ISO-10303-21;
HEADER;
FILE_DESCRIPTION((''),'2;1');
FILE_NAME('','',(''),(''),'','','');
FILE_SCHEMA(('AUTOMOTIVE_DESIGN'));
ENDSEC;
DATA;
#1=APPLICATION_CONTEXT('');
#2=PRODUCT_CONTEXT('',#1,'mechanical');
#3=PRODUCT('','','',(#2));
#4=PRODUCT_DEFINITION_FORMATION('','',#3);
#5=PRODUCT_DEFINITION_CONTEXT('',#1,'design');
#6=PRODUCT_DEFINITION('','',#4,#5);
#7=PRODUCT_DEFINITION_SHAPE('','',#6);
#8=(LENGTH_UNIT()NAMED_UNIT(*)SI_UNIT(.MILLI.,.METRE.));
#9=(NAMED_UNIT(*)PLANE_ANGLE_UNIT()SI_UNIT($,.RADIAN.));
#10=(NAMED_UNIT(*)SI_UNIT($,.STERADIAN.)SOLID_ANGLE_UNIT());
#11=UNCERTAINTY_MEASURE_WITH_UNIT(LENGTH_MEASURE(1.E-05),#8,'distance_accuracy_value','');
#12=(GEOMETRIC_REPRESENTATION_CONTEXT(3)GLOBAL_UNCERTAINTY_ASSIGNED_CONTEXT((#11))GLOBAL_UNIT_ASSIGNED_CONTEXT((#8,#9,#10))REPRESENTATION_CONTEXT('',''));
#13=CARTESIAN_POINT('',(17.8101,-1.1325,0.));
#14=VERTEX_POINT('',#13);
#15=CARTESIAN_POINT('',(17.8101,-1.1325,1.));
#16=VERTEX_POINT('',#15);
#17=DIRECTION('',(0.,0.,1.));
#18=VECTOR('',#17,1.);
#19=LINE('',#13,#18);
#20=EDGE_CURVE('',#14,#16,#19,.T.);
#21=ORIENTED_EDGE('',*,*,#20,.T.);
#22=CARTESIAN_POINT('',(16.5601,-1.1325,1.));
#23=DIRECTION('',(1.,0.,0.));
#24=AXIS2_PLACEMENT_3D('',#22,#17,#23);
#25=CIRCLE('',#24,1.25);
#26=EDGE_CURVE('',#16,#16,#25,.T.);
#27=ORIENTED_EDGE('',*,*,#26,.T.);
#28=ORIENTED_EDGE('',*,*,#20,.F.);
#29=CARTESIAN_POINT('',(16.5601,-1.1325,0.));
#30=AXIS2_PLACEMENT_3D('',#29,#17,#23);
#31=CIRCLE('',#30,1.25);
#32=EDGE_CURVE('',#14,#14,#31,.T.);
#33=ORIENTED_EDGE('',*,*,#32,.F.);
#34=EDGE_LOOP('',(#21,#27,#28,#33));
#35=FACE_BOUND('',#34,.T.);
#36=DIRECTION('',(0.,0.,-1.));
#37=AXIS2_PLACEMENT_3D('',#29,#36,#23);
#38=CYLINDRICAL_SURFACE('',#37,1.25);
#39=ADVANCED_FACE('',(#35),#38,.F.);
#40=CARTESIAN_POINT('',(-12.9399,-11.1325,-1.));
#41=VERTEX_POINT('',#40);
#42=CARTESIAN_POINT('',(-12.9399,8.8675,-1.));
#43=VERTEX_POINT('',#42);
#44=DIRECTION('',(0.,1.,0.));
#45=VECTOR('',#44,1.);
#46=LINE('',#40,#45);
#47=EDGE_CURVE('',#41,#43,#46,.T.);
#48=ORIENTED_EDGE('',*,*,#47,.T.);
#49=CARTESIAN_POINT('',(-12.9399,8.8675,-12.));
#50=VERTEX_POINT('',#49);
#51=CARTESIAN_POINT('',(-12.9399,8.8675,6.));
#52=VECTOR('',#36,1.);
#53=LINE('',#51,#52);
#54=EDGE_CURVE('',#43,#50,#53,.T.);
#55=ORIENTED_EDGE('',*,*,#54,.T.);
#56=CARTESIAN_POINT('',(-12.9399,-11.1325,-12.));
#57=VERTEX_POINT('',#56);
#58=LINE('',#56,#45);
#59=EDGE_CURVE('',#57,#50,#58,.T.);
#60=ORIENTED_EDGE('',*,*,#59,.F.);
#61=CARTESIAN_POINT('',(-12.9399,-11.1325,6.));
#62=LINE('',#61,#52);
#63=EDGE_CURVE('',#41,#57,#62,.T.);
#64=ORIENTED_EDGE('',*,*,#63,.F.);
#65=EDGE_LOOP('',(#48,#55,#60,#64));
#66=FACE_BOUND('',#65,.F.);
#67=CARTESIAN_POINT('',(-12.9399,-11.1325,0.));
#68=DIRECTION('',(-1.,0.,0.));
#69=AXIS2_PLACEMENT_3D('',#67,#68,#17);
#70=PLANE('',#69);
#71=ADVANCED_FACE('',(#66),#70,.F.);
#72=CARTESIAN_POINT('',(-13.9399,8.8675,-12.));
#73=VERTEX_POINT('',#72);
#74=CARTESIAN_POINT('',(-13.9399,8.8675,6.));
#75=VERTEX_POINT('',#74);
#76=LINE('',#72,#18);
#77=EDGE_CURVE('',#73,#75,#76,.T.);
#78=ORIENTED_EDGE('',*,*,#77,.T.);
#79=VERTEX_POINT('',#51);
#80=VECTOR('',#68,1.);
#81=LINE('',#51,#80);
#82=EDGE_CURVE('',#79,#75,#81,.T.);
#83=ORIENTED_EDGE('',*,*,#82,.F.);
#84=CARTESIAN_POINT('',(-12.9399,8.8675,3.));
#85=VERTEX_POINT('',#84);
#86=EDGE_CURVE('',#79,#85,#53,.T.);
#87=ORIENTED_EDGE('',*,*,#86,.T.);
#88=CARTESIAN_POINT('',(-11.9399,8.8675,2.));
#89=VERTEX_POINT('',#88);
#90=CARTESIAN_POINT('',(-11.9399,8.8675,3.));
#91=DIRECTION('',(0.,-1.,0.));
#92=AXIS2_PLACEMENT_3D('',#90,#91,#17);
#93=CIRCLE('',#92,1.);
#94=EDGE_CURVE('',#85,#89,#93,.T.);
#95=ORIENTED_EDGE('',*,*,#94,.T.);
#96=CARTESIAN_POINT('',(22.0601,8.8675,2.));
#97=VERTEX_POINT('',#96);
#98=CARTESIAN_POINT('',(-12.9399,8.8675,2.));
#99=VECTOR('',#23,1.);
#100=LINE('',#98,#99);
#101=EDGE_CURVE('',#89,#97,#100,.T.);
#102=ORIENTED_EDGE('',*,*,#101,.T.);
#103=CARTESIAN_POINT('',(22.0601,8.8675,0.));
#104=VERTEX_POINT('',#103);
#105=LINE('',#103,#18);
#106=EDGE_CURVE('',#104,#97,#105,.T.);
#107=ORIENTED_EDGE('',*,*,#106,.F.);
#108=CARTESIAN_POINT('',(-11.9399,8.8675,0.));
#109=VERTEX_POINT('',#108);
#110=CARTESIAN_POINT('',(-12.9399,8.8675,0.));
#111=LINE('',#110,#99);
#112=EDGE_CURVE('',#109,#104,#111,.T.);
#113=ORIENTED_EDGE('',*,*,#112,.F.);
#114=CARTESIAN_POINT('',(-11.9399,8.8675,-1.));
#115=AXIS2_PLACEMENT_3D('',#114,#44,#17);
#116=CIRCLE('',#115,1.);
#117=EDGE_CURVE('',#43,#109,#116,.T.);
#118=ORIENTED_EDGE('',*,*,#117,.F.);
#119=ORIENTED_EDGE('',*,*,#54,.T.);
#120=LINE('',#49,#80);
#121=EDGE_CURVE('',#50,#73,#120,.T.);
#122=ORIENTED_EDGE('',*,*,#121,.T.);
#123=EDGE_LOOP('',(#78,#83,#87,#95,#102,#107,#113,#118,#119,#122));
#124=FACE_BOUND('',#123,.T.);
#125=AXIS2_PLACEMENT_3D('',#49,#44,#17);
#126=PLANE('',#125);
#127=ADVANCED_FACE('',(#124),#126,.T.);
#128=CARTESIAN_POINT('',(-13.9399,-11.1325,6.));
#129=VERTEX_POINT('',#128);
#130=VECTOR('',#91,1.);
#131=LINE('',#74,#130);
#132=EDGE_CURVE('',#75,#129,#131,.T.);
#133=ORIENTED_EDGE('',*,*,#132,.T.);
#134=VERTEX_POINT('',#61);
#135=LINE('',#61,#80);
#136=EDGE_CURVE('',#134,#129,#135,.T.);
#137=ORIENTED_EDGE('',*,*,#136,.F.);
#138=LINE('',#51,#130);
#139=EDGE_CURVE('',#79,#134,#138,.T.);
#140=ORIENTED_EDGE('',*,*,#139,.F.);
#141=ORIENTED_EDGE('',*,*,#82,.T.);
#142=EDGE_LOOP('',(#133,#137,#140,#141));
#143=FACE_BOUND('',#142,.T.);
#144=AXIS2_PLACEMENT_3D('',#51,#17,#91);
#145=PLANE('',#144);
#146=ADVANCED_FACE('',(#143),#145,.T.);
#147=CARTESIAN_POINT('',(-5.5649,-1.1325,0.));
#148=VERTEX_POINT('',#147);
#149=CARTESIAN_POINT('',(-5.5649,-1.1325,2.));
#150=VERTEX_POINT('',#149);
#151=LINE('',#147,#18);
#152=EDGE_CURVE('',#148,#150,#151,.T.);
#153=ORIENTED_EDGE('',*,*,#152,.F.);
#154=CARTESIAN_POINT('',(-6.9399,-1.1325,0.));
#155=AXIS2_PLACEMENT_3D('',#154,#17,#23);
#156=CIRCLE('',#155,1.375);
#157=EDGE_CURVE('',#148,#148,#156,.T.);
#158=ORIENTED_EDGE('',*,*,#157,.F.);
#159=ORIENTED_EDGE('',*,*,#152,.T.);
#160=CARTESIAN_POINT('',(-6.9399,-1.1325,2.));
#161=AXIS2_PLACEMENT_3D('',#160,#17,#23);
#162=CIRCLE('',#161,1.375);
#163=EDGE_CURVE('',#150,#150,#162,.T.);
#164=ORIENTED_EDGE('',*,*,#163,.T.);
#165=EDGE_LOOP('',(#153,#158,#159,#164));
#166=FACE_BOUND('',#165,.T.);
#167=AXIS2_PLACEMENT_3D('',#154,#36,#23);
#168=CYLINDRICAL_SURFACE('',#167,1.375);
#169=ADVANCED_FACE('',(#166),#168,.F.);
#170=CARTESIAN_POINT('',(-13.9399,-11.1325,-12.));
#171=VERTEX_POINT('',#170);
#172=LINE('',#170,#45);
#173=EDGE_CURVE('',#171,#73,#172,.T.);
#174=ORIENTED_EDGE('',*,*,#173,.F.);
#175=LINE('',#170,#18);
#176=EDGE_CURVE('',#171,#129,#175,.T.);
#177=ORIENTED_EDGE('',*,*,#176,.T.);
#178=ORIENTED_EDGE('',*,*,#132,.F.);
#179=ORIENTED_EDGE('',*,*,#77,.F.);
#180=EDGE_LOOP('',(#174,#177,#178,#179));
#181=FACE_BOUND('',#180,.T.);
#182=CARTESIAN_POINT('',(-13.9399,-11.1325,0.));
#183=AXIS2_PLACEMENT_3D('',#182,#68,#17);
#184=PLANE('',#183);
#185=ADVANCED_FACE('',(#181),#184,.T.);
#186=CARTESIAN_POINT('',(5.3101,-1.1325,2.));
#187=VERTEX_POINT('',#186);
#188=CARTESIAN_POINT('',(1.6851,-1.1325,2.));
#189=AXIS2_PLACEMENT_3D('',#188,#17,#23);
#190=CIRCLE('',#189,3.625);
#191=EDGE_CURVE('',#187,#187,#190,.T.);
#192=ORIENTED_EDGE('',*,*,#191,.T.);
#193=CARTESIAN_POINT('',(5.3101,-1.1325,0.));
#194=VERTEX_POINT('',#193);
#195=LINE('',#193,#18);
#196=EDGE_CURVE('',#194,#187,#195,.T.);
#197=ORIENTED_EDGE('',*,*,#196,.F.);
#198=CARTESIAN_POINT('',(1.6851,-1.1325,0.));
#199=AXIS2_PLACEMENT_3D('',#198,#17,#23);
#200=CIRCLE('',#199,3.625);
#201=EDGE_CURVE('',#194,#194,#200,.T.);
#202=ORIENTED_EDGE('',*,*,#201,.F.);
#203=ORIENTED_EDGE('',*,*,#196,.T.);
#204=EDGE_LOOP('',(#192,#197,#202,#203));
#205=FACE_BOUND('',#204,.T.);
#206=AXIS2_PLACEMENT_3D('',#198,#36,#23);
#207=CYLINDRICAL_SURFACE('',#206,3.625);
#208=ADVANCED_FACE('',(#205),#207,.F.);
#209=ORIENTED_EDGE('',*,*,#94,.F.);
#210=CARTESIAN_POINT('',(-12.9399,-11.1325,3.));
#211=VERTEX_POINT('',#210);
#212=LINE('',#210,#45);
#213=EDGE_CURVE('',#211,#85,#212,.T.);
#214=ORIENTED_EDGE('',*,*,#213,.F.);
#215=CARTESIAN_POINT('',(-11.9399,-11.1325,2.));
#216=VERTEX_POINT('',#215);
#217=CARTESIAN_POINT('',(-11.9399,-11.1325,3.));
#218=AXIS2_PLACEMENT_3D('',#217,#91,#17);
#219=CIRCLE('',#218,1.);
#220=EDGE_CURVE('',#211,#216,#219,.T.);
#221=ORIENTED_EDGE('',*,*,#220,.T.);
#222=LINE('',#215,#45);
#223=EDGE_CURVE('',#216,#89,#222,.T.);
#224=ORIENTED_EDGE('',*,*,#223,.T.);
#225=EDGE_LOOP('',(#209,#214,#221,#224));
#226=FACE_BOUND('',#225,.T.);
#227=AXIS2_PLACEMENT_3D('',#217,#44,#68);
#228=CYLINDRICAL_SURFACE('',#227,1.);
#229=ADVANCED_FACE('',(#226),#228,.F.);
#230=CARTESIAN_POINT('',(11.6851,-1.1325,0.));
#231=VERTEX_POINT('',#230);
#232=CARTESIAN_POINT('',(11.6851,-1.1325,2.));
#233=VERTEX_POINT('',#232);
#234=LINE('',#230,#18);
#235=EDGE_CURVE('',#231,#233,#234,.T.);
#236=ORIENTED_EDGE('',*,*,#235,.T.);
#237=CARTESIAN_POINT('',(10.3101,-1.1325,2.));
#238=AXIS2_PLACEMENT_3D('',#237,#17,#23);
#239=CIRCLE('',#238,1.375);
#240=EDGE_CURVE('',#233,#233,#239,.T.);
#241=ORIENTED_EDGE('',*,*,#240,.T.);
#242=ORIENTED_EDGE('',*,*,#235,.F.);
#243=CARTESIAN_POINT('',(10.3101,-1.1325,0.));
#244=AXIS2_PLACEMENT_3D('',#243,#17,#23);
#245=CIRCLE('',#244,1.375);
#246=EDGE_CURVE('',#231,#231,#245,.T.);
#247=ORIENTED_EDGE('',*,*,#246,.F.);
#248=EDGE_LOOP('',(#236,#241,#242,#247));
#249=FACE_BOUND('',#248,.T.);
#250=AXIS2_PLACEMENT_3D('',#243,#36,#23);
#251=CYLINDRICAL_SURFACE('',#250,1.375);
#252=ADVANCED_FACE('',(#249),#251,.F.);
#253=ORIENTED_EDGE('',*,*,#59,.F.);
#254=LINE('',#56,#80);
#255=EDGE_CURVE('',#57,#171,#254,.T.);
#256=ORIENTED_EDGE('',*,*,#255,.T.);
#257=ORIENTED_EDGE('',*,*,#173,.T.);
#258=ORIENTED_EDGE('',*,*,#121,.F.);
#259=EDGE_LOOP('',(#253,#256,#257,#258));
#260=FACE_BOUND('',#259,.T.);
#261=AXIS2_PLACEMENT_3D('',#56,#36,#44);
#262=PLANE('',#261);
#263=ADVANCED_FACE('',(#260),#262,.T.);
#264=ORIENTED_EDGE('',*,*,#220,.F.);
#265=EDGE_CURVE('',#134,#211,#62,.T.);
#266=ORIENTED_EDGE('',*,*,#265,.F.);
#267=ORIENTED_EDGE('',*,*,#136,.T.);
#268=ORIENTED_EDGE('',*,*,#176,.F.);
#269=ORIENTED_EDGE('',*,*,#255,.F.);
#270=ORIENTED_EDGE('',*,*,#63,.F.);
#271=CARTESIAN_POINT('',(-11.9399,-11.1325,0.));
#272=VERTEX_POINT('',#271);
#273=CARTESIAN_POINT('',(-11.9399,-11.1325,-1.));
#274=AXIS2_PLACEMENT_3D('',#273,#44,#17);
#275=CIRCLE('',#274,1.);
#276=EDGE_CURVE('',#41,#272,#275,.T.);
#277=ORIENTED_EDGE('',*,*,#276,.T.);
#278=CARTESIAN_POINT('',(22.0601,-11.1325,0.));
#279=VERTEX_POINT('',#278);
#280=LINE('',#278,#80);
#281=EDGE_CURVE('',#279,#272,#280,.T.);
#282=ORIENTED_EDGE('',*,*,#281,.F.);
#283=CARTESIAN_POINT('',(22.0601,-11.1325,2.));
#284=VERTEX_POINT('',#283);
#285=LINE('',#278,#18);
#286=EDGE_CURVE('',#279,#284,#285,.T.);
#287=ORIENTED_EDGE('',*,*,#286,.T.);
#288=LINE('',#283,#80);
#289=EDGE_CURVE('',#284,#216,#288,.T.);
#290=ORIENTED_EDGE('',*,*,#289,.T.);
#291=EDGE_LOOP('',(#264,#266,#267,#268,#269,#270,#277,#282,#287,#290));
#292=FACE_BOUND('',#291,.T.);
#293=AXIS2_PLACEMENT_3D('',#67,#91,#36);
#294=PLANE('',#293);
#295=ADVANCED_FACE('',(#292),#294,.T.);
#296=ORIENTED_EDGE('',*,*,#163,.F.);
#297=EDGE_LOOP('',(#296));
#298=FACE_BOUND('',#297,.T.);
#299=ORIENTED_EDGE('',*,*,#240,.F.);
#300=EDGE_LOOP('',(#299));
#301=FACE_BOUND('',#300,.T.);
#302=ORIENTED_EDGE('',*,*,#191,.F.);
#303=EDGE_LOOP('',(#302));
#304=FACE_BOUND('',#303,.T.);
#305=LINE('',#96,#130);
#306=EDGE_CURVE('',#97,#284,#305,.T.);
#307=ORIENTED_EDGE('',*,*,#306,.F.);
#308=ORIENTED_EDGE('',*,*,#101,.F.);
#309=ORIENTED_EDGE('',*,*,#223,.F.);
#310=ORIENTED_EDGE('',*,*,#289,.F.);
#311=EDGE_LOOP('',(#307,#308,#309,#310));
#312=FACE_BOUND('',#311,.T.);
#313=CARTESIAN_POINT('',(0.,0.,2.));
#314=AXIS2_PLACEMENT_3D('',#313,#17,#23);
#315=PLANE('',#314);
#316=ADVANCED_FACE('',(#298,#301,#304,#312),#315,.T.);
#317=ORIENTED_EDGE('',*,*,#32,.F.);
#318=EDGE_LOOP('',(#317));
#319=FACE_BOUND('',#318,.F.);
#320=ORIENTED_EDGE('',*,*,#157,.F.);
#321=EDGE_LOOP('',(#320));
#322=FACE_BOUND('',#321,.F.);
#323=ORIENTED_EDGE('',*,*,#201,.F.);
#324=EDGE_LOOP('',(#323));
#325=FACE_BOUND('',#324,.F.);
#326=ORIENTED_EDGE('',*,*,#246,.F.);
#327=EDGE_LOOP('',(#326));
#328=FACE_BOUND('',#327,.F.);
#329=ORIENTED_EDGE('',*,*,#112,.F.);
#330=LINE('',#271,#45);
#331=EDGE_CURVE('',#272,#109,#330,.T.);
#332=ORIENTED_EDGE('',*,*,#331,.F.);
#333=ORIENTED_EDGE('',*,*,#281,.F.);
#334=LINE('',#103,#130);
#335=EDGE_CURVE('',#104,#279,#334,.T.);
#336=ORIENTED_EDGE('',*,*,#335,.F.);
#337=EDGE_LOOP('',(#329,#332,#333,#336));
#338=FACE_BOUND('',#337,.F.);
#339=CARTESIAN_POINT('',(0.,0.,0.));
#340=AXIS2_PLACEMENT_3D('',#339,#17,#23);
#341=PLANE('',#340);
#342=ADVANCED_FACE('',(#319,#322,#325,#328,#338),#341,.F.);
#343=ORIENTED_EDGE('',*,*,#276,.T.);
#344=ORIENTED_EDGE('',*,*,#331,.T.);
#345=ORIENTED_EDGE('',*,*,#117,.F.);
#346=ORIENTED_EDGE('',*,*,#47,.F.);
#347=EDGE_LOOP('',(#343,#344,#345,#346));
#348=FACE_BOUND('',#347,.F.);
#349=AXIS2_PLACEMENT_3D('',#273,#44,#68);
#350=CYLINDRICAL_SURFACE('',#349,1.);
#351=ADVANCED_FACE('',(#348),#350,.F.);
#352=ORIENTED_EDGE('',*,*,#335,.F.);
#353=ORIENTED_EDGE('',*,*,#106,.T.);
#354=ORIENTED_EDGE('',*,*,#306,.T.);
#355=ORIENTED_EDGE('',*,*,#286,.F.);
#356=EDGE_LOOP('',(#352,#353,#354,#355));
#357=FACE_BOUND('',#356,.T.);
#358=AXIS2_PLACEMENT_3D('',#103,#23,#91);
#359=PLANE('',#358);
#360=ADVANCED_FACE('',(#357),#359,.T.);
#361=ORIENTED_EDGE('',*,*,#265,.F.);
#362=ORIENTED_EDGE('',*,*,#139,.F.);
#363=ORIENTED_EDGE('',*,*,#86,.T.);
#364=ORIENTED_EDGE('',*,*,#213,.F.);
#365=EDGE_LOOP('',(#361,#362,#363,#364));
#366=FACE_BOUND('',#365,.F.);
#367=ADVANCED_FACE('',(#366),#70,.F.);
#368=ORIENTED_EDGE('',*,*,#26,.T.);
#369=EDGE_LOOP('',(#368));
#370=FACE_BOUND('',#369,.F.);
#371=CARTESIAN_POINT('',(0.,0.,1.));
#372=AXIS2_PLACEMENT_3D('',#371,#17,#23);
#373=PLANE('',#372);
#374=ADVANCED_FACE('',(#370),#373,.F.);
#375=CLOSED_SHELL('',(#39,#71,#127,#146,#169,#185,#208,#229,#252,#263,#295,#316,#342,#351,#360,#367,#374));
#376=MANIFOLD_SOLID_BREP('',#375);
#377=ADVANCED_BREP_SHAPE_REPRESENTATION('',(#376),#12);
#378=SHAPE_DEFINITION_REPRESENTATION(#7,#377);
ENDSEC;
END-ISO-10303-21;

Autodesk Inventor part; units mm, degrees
ref_plane "YZ Plane" through (0, 0, 0) normal (1, 0, 0) x (0, 1, 0)
ref_plane "XZ Plane" through (0, 0, 0) normal (0, 1, 0) x (-1, 0, 0)
ref_plane "XY Plane" through (0, 0, 0) normal (0, 0, 1) x (1, 0, 0)
sketch "Sketch1" plane through (0, 0, 0) normal (0, 0, 1) x (1, 0, 0)
  line L0 (-12.9399, 8.8675) -> (22.0601, 8.8675)
  line L1 (22.0601, 8.8675) -> (22.0601, -11.1325)
  line L2 (22.0601, -11.1325) -> (-12.9399, -11.1325)
  line L3 (-12.9399, -11.1325) -> (-12.9399, 8.8675)
  circle A0 centre (-6.9399, -1.1325) radius 1.375
  circle A1 centre (10.3101, -1.1325) radius 1.375
  circle A2 centre (1.6851, -1.1325) radius 3.625
  circle A3 centre (16.5601, -1.1325) radius 1.25
  point P0 (0, 0)
  dimension "d0" = 20
  dimension "d1" = 35
  dimension "d2" = 7.25
  dimension "d3" = 2.75
  dimension "d4" = 2.75
  dimension "d5" = 8.625
  dimension "d6" = 0
  dimension "d7" = 8.625
  dimension "d8" = 0
  dimension "d9" = 6
  dimension "d10" = 10
  dimension "d20" = 2.5
  dimension "d21" = 14.875
  dimension "d24" = 6.25
extrude "Extrusion1" add sketch "Sketch1" along normal blind 2 contours L0 L1 L2 L3 | A3
sketch "Sketch2" plane through (-12.9399, -11.1325, 0) normal (-1, 0, 0) x (0, 0, 1)
  line L0 (-12, 20) -> (6, 20)
  line L1 (6, 20) -> (6, 0)
  line L2 (6, 0) -> (-12, 0)
  line L3 (-12, 0) -> (-12, 20)
  line L4 (0, 0) -> (0, 20) projected
  line L5 (2, 20) -> (2, 0) projected
  point P0 (0, 11.1325)
  dimension "d13" = 12
  dimension "d14" = 4
  dimension "d15" = 0
  dimension "d16" = 0
extrude "Extrusion2" add sketch "Sketch2" along normal blind 1
fillet "Fillet1" radius 1 2 edges at (-12.9399, -1.1325, 2) (-12.9399, -1.1325, 0)
extrude "Extrusion3" cut sketch "Sketch1" along normal blind 1 contours A3
equation "\"d7\" = d5"
properties part number "tac switch test"
